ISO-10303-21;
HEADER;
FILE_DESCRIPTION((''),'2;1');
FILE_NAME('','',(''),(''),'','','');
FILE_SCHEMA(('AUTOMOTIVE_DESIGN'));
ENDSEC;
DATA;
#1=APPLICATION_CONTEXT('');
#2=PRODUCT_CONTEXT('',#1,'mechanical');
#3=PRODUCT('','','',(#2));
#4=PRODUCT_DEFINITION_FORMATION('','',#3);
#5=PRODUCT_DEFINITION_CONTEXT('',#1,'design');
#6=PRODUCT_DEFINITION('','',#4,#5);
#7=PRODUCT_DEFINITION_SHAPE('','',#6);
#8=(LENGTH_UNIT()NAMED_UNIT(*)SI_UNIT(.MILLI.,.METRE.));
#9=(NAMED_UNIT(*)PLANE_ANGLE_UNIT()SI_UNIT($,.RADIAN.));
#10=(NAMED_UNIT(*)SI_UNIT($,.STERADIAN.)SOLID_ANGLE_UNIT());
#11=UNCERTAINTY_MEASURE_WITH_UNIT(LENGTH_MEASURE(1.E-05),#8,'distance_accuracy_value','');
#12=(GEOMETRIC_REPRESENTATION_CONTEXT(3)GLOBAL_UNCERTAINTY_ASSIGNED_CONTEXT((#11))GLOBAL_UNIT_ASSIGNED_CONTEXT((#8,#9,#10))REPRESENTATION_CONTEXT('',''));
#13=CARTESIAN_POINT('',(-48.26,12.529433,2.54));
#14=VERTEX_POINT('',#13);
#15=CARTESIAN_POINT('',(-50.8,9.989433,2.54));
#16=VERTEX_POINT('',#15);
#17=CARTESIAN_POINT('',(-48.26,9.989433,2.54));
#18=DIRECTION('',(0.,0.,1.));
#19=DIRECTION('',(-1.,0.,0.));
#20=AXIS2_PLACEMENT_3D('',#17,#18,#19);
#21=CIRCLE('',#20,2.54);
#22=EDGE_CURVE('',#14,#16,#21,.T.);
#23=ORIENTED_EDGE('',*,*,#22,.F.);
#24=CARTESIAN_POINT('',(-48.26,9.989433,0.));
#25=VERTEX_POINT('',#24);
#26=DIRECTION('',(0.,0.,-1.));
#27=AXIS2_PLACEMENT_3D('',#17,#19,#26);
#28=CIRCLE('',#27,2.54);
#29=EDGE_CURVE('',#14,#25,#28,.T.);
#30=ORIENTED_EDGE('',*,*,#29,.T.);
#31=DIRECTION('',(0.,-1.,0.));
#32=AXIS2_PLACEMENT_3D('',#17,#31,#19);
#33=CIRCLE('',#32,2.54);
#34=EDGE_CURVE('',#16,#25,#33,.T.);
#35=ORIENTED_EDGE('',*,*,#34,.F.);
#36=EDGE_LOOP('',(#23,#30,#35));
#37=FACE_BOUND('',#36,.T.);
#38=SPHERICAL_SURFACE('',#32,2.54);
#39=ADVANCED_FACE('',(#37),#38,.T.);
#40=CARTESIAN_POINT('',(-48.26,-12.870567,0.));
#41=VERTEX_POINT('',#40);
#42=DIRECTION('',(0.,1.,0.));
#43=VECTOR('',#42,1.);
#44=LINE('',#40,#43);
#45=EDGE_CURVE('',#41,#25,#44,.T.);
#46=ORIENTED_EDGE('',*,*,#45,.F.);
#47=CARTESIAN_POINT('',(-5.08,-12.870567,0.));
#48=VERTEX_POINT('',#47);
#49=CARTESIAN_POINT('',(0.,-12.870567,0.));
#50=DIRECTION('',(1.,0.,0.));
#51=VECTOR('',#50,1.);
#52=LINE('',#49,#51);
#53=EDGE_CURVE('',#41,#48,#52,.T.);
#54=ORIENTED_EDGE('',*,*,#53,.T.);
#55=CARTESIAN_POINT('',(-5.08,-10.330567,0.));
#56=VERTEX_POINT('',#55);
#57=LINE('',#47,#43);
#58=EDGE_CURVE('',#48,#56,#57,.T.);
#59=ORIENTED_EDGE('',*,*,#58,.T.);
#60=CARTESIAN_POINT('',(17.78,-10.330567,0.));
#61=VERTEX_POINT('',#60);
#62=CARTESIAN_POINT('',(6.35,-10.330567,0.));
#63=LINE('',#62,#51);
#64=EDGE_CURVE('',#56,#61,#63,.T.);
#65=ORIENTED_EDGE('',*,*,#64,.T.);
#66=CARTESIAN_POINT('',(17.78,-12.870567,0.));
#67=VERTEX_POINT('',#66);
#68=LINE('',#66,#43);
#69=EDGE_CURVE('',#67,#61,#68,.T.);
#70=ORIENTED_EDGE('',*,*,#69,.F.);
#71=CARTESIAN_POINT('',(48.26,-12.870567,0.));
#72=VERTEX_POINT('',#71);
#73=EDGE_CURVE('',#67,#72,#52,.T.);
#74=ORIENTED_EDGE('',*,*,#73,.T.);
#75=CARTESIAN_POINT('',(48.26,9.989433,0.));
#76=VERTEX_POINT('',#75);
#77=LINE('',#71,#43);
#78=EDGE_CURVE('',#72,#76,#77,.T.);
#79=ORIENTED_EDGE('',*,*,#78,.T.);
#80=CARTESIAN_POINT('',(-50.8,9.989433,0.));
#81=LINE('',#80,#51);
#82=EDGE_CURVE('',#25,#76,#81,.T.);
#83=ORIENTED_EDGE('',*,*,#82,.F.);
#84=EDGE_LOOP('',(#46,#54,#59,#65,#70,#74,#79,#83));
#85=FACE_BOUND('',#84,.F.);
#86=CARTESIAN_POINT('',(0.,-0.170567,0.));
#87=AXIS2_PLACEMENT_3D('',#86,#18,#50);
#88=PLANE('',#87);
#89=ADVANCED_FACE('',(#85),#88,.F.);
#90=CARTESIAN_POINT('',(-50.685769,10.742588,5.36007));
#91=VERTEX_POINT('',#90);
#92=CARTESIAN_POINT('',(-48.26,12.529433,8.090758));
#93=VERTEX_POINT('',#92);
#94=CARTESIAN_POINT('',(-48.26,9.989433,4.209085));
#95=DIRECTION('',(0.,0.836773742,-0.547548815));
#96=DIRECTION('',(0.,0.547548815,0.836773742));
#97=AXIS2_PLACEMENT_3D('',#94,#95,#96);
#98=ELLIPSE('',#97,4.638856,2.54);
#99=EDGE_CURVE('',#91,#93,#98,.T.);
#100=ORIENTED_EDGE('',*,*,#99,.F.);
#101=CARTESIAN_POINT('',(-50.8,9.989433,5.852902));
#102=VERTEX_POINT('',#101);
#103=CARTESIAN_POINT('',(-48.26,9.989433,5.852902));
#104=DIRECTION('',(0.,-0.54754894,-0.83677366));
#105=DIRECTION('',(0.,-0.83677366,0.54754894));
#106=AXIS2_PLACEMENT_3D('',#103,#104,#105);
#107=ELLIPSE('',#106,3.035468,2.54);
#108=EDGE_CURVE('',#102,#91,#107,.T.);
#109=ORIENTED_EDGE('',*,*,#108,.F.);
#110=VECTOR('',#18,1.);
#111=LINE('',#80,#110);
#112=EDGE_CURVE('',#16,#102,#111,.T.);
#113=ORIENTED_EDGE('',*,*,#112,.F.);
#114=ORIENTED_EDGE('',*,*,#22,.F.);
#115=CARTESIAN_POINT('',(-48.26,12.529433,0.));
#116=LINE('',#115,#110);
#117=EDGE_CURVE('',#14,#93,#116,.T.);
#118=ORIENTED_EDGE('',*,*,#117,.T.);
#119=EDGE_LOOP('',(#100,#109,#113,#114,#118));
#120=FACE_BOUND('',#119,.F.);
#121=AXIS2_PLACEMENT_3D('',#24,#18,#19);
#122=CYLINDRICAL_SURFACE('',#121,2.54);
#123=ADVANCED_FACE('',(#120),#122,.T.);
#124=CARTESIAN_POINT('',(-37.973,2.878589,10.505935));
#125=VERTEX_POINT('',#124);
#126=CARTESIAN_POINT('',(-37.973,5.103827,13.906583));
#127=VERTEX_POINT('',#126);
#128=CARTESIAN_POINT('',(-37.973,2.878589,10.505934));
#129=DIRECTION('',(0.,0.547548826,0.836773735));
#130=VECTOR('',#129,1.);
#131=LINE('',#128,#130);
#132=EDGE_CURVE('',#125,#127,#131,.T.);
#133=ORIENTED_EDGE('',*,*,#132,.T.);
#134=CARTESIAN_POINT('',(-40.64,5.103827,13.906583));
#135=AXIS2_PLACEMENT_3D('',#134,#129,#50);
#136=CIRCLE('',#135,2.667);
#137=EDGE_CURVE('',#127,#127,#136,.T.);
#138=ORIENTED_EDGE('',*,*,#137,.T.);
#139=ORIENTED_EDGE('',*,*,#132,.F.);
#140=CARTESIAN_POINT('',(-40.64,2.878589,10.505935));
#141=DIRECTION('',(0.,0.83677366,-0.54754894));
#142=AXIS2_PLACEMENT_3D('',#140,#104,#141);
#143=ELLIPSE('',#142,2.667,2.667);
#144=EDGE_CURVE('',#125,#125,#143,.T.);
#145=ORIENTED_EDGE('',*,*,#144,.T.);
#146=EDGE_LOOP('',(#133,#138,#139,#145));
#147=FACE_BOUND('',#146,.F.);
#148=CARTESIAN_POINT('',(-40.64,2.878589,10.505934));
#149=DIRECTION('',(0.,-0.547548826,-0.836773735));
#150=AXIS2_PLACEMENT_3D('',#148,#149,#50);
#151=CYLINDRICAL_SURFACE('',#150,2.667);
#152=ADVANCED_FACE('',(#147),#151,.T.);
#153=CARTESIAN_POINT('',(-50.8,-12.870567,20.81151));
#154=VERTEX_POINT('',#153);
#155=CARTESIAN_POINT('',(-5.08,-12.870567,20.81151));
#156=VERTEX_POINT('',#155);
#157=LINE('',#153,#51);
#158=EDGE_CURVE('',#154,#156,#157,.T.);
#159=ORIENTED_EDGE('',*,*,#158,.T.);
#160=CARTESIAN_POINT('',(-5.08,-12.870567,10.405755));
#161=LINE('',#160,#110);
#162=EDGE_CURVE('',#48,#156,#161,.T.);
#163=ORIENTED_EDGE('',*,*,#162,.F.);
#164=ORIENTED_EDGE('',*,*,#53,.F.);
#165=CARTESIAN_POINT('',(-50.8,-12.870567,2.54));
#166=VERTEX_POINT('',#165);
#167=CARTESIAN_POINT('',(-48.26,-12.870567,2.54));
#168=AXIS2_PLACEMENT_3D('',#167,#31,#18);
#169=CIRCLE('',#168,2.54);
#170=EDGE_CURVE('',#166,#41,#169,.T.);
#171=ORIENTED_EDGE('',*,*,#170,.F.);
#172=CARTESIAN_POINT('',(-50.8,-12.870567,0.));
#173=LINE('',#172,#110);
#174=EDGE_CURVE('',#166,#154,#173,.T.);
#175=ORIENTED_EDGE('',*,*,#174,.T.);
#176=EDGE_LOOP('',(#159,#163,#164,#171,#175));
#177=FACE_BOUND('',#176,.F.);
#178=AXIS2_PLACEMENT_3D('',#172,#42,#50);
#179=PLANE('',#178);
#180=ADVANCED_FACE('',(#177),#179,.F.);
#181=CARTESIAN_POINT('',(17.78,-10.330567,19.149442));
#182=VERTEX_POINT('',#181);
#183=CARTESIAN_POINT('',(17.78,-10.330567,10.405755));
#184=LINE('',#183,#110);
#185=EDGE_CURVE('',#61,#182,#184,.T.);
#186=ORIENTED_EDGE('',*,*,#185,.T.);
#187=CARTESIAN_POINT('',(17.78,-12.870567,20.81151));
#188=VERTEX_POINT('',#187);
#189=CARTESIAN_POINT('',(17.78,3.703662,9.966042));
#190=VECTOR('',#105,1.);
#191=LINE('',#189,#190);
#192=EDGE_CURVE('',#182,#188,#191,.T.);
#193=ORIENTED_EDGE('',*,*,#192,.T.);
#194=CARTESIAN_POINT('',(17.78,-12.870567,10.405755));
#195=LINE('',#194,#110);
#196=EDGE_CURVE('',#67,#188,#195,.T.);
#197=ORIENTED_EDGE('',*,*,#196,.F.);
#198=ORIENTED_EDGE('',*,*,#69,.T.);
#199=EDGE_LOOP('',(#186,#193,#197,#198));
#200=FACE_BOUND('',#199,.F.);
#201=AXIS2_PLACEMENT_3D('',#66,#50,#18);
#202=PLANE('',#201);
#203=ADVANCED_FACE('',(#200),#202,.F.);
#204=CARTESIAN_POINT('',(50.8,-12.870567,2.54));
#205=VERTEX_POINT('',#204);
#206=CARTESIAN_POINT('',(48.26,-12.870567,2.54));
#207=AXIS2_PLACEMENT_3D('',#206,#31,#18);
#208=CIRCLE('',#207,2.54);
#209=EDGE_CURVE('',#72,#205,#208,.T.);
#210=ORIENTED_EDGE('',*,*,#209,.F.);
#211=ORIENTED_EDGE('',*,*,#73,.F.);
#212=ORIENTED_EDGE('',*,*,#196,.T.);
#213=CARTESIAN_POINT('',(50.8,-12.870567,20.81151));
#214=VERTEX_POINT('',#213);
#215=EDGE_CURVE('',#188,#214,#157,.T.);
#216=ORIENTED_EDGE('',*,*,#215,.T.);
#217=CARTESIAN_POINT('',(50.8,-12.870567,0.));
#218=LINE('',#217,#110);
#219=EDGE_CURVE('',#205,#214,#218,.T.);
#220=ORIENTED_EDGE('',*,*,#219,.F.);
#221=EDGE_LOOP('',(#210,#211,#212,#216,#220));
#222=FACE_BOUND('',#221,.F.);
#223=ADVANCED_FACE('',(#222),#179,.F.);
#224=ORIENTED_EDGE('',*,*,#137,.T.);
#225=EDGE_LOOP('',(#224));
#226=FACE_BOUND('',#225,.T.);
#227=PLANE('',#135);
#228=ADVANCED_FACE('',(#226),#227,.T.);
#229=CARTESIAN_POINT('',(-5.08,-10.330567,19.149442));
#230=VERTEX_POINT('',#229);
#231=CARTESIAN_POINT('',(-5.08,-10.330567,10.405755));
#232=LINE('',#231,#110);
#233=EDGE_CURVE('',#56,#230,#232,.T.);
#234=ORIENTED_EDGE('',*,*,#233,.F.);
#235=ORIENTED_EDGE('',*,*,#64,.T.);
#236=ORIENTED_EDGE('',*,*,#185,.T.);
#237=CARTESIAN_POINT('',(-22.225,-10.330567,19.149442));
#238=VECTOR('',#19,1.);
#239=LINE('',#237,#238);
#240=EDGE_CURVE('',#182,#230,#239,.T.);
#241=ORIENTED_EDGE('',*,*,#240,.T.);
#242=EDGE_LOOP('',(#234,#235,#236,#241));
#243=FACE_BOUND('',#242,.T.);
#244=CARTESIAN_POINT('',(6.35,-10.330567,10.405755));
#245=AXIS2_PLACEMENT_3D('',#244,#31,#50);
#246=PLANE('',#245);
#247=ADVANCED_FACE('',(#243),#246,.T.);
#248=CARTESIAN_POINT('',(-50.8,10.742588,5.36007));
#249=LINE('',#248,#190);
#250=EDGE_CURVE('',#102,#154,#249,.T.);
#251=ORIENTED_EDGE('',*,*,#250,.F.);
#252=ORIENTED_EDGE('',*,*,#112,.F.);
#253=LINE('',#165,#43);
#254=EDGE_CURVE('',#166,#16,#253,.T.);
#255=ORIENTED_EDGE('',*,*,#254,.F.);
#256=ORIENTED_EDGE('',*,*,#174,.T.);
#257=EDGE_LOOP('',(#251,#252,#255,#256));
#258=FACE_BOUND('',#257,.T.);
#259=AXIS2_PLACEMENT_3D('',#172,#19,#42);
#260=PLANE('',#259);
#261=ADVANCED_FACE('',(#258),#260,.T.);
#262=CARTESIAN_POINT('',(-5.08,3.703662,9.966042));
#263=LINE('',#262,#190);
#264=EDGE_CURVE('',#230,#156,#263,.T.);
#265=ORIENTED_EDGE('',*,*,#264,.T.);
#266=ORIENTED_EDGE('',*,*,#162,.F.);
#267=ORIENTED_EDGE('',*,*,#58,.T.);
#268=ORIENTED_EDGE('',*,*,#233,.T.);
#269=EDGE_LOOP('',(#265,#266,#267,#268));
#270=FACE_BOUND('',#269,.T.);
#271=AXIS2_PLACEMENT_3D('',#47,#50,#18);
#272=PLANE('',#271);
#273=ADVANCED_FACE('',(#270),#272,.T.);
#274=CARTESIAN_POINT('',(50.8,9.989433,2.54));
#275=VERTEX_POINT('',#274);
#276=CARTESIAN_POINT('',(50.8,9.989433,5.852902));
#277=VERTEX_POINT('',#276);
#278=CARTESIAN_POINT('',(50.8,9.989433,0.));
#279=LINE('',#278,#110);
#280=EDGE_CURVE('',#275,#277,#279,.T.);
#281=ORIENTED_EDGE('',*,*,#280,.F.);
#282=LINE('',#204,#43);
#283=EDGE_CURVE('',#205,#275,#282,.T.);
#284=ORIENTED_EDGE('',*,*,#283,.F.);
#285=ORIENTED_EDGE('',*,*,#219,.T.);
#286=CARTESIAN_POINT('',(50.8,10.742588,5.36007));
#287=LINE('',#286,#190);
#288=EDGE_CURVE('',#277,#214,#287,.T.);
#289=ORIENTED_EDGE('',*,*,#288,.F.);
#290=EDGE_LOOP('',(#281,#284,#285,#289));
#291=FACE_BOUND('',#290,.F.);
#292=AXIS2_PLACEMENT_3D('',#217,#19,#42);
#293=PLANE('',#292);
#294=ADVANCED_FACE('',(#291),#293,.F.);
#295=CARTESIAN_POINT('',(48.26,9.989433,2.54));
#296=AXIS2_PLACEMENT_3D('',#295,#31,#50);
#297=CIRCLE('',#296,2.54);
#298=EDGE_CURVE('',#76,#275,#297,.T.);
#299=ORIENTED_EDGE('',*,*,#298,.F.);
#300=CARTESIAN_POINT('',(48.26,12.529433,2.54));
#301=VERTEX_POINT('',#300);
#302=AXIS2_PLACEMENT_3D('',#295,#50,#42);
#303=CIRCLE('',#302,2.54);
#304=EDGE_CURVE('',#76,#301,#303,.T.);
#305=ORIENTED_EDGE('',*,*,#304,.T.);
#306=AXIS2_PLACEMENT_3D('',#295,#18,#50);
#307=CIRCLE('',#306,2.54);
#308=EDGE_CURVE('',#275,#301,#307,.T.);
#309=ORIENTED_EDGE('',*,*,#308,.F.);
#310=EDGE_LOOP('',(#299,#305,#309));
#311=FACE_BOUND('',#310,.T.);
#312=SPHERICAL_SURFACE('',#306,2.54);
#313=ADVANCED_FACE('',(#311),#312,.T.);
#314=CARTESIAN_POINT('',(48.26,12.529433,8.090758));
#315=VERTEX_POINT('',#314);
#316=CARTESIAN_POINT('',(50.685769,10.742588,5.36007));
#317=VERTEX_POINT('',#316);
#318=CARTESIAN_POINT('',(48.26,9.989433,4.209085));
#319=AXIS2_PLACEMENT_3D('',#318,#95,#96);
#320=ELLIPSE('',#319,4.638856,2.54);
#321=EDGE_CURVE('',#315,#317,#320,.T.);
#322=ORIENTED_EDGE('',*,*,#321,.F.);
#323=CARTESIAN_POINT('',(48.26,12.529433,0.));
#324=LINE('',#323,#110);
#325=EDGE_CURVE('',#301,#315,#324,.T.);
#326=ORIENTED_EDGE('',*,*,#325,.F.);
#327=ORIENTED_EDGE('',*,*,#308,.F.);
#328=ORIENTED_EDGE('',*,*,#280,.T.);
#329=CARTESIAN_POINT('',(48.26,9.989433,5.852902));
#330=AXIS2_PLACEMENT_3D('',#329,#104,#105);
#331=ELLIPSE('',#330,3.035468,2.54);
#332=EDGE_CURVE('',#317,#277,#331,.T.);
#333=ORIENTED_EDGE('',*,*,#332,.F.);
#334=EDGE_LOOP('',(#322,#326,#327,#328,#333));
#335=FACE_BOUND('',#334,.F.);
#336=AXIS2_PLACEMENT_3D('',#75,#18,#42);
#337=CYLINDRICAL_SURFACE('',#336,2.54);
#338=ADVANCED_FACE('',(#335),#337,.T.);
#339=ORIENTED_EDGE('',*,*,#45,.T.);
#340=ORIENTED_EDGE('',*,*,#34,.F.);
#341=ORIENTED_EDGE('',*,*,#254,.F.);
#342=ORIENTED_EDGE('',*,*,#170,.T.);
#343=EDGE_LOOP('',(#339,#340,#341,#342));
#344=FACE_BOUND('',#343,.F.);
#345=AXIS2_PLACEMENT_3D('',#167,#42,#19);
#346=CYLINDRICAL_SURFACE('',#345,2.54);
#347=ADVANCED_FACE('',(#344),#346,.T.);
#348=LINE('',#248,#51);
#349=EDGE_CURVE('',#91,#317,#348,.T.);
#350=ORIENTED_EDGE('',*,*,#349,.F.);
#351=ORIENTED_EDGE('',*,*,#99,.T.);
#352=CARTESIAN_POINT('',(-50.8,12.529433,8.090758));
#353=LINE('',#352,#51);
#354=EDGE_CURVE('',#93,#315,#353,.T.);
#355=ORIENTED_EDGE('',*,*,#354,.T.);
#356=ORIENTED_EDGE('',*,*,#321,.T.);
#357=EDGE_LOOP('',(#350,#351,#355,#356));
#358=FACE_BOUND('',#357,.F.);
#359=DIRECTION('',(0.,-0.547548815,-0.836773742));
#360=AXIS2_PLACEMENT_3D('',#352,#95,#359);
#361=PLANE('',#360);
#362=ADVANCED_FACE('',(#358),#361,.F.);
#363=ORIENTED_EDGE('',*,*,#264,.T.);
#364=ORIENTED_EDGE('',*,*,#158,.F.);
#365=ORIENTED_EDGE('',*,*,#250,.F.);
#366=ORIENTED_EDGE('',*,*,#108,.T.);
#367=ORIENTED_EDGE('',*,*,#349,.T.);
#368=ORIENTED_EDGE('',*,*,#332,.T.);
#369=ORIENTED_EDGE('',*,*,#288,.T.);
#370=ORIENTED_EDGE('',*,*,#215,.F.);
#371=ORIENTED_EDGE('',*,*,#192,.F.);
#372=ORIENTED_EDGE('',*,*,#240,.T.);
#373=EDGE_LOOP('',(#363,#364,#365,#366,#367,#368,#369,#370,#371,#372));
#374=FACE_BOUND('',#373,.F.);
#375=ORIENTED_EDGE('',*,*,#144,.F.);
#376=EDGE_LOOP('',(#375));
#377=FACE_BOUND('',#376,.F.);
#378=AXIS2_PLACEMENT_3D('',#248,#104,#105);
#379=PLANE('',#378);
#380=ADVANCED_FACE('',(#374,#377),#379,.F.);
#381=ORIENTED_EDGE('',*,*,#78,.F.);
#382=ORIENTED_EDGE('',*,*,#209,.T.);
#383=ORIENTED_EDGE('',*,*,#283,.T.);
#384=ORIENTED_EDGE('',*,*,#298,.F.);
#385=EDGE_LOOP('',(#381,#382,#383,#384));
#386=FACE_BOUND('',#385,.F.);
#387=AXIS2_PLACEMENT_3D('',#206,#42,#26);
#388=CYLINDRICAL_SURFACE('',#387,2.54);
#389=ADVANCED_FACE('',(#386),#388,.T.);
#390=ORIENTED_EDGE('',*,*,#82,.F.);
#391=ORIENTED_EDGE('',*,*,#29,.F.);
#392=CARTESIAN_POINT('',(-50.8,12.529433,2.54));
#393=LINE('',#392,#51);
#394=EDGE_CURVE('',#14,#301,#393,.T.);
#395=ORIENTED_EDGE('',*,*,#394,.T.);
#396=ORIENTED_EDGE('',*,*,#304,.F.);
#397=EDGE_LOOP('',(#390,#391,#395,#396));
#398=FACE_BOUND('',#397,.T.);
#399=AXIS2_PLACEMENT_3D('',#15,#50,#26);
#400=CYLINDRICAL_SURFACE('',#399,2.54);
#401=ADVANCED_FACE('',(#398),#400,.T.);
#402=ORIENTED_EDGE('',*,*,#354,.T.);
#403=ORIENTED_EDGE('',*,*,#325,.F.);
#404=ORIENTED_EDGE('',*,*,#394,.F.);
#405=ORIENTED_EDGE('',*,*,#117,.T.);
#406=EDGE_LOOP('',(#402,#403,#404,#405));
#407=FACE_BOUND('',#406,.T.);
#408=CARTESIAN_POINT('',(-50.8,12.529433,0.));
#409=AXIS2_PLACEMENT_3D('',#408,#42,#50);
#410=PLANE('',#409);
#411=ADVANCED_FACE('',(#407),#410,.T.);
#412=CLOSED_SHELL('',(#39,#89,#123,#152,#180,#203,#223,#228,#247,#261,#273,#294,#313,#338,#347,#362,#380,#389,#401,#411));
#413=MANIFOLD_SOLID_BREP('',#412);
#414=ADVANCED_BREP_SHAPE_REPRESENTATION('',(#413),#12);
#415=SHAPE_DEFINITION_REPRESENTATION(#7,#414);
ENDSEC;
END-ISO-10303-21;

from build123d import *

# Parameters (mm, degrees)
F0_W     = 101.6
F0_H     = 25.4
F1_DEPTH = 25.4
F3_DEPTH = 101.6
F4_R     = 2.54
F5_R     = 2.667
F6_DEPTH = 4.064
F7_W     = 22.86
F7_H     = 20.81151
F8_DEPTH = 2.54


with BuildPart() as f1:
    # F0 (on Top) → F1 (new body)
    with BuildSketch(Plane.XY):
        with Locations((0, -0.170567)):
            Rectangle(F0_W, F0_H)
    extrude(amount=F1_DEPTH)

    # F2 (on face) → F3 (cut, through all)
    with BuildSketch(Plane(origin=(-50.8, 0, 0), x_dir=(0, -1, 0), z_dir=(-1, 0, 0))):
        Polygon((-12.529433, 25.4), (-12.529433, 8.090758), (-10.742588, 5.36007), (12.870567, 20.81151), (12.870567, 25.4), align=None)
    extrude(amount=-F3_DEPTH, mode=Mode.SUBTRACT)

    # F4
    f4_edges = [f1.edges().sort_by_distance(p)[0] for p in [
        (50.8, 12.529433, 4.045379),
        (50.8, -0.170567, 0),
        (-50.8, -0.170567, 0),
        (-50.8, 12.529433, 4.045379),
        (0, 12.529433, 0),
    ]]
    fillet(f4_edges, radius=F4_R)

    # F5 (on face) → F6 (join)
    with BuildSketch(Plane(origin=(0, 5.676581, 8.675048), x_dir=(1, 0, 0), z_dir=(0, 0.547549, 0.836774))):
        with Locations((-40.64, -3.343786)):
            Circle(F5_R)
    extrude(amount=F6_DEPTH)

    # F7 (on face) → F8 (cut)
    with BuildSketch(Plane.XZ.offset(12.870567)):
        with Locations((6.35, 10.405755)):
            Rectangle(F7_W, F7_H)
    extrude(amount=-F8_DEPTH, mode=Mode.SUBTRACT)


solid = f1.part
